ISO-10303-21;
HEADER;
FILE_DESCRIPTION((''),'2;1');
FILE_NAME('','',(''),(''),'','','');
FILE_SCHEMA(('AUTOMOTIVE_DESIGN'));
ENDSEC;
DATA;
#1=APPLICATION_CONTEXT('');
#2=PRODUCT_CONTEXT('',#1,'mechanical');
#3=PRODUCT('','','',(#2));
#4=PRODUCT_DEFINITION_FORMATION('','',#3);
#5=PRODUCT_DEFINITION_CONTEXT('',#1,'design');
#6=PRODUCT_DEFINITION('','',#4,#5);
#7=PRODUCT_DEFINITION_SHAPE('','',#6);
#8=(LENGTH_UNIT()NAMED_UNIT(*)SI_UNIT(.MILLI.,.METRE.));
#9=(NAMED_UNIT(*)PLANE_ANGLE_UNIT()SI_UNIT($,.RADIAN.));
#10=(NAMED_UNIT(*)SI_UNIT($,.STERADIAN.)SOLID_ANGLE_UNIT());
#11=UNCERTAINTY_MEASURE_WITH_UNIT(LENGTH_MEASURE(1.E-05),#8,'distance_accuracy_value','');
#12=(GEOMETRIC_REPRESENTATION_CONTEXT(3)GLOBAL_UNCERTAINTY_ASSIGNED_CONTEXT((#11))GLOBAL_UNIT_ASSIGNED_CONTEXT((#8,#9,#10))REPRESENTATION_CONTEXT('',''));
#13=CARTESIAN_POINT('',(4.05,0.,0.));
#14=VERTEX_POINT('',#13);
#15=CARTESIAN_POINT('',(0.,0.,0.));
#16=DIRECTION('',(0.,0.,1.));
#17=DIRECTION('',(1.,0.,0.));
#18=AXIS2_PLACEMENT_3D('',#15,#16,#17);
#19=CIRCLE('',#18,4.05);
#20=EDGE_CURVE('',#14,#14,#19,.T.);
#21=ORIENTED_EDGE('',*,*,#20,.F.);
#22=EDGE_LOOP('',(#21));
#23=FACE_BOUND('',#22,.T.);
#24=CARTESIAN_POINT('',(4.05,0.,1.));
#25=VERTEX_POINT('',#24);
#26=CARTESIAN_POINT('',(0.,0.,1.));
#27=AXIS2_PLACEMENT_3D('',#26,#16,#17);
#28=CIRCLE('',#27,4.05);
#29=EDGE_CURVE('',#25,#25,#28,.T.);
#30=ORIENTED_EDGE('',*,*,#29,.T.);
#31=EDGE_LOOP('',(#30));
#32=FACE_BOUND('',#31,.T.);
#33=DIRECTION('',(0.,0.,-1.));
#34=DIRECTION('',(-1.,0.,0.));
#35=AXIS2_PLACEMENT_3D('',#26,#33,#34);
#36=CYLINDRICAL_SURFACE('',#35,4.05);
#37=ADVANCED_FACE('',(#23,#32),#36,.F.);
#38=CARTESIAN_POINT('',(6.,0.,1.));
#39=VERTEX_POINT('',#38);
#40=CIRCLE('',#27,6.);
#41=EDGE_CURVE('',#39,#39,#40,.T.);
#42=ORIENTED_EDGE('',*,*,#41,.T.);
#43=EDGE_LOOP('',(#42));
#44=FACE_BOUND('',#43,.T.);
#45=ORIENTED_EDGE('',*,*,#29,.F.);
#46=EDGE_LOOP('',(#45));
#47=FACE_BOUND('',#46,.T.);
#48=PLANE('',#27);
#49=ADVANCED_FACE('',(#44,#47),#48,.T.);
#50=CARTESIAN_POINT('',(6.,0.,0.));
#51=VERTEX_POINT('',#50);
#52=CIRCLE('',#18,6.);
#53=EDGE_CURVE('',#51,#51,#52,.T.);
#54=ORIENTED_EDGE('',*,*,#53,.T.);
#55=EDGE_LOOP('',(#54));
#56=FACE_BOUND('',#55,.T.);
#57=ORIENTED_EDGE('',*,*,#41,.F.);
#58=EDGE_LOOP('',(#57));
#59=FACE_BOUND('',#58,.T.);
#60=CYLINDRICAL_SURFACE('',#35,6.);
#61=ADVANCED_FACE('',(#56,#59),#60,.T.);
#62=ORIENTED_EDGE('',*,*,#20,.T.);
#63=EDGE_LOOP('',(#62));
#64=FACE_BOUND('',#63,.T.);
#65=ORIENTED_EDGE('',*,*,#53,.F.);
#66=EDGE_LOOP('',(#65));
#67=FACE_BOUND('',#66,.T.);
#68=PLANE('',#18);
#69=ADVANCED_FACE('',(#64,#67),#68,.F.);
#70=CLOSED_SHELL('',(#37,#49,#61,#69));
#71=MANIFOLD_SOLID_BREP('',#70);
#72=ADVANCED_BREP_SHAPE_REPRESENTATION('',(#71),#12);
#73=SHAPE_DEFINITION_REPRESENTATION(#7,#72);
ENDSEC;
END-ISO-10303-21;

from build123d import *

# Parameters (mm, degrees)
PROFILE_1_R       = 6
PROFILE_1_R_2     = 4.05
THRUST_RING_DEPTH = 1


with BuildPart() as part:
    # Profile_1 → Thrust_ring (new body)
    with BuildSketch(Plane.XY):
        Circle(PROFILE_1_R)
        Circle(PROFILE_1_R_2, mode=Mode.SUBTRACT)
    extrude(amount=THRUST_RING_DEPTH)


solid = part.part
